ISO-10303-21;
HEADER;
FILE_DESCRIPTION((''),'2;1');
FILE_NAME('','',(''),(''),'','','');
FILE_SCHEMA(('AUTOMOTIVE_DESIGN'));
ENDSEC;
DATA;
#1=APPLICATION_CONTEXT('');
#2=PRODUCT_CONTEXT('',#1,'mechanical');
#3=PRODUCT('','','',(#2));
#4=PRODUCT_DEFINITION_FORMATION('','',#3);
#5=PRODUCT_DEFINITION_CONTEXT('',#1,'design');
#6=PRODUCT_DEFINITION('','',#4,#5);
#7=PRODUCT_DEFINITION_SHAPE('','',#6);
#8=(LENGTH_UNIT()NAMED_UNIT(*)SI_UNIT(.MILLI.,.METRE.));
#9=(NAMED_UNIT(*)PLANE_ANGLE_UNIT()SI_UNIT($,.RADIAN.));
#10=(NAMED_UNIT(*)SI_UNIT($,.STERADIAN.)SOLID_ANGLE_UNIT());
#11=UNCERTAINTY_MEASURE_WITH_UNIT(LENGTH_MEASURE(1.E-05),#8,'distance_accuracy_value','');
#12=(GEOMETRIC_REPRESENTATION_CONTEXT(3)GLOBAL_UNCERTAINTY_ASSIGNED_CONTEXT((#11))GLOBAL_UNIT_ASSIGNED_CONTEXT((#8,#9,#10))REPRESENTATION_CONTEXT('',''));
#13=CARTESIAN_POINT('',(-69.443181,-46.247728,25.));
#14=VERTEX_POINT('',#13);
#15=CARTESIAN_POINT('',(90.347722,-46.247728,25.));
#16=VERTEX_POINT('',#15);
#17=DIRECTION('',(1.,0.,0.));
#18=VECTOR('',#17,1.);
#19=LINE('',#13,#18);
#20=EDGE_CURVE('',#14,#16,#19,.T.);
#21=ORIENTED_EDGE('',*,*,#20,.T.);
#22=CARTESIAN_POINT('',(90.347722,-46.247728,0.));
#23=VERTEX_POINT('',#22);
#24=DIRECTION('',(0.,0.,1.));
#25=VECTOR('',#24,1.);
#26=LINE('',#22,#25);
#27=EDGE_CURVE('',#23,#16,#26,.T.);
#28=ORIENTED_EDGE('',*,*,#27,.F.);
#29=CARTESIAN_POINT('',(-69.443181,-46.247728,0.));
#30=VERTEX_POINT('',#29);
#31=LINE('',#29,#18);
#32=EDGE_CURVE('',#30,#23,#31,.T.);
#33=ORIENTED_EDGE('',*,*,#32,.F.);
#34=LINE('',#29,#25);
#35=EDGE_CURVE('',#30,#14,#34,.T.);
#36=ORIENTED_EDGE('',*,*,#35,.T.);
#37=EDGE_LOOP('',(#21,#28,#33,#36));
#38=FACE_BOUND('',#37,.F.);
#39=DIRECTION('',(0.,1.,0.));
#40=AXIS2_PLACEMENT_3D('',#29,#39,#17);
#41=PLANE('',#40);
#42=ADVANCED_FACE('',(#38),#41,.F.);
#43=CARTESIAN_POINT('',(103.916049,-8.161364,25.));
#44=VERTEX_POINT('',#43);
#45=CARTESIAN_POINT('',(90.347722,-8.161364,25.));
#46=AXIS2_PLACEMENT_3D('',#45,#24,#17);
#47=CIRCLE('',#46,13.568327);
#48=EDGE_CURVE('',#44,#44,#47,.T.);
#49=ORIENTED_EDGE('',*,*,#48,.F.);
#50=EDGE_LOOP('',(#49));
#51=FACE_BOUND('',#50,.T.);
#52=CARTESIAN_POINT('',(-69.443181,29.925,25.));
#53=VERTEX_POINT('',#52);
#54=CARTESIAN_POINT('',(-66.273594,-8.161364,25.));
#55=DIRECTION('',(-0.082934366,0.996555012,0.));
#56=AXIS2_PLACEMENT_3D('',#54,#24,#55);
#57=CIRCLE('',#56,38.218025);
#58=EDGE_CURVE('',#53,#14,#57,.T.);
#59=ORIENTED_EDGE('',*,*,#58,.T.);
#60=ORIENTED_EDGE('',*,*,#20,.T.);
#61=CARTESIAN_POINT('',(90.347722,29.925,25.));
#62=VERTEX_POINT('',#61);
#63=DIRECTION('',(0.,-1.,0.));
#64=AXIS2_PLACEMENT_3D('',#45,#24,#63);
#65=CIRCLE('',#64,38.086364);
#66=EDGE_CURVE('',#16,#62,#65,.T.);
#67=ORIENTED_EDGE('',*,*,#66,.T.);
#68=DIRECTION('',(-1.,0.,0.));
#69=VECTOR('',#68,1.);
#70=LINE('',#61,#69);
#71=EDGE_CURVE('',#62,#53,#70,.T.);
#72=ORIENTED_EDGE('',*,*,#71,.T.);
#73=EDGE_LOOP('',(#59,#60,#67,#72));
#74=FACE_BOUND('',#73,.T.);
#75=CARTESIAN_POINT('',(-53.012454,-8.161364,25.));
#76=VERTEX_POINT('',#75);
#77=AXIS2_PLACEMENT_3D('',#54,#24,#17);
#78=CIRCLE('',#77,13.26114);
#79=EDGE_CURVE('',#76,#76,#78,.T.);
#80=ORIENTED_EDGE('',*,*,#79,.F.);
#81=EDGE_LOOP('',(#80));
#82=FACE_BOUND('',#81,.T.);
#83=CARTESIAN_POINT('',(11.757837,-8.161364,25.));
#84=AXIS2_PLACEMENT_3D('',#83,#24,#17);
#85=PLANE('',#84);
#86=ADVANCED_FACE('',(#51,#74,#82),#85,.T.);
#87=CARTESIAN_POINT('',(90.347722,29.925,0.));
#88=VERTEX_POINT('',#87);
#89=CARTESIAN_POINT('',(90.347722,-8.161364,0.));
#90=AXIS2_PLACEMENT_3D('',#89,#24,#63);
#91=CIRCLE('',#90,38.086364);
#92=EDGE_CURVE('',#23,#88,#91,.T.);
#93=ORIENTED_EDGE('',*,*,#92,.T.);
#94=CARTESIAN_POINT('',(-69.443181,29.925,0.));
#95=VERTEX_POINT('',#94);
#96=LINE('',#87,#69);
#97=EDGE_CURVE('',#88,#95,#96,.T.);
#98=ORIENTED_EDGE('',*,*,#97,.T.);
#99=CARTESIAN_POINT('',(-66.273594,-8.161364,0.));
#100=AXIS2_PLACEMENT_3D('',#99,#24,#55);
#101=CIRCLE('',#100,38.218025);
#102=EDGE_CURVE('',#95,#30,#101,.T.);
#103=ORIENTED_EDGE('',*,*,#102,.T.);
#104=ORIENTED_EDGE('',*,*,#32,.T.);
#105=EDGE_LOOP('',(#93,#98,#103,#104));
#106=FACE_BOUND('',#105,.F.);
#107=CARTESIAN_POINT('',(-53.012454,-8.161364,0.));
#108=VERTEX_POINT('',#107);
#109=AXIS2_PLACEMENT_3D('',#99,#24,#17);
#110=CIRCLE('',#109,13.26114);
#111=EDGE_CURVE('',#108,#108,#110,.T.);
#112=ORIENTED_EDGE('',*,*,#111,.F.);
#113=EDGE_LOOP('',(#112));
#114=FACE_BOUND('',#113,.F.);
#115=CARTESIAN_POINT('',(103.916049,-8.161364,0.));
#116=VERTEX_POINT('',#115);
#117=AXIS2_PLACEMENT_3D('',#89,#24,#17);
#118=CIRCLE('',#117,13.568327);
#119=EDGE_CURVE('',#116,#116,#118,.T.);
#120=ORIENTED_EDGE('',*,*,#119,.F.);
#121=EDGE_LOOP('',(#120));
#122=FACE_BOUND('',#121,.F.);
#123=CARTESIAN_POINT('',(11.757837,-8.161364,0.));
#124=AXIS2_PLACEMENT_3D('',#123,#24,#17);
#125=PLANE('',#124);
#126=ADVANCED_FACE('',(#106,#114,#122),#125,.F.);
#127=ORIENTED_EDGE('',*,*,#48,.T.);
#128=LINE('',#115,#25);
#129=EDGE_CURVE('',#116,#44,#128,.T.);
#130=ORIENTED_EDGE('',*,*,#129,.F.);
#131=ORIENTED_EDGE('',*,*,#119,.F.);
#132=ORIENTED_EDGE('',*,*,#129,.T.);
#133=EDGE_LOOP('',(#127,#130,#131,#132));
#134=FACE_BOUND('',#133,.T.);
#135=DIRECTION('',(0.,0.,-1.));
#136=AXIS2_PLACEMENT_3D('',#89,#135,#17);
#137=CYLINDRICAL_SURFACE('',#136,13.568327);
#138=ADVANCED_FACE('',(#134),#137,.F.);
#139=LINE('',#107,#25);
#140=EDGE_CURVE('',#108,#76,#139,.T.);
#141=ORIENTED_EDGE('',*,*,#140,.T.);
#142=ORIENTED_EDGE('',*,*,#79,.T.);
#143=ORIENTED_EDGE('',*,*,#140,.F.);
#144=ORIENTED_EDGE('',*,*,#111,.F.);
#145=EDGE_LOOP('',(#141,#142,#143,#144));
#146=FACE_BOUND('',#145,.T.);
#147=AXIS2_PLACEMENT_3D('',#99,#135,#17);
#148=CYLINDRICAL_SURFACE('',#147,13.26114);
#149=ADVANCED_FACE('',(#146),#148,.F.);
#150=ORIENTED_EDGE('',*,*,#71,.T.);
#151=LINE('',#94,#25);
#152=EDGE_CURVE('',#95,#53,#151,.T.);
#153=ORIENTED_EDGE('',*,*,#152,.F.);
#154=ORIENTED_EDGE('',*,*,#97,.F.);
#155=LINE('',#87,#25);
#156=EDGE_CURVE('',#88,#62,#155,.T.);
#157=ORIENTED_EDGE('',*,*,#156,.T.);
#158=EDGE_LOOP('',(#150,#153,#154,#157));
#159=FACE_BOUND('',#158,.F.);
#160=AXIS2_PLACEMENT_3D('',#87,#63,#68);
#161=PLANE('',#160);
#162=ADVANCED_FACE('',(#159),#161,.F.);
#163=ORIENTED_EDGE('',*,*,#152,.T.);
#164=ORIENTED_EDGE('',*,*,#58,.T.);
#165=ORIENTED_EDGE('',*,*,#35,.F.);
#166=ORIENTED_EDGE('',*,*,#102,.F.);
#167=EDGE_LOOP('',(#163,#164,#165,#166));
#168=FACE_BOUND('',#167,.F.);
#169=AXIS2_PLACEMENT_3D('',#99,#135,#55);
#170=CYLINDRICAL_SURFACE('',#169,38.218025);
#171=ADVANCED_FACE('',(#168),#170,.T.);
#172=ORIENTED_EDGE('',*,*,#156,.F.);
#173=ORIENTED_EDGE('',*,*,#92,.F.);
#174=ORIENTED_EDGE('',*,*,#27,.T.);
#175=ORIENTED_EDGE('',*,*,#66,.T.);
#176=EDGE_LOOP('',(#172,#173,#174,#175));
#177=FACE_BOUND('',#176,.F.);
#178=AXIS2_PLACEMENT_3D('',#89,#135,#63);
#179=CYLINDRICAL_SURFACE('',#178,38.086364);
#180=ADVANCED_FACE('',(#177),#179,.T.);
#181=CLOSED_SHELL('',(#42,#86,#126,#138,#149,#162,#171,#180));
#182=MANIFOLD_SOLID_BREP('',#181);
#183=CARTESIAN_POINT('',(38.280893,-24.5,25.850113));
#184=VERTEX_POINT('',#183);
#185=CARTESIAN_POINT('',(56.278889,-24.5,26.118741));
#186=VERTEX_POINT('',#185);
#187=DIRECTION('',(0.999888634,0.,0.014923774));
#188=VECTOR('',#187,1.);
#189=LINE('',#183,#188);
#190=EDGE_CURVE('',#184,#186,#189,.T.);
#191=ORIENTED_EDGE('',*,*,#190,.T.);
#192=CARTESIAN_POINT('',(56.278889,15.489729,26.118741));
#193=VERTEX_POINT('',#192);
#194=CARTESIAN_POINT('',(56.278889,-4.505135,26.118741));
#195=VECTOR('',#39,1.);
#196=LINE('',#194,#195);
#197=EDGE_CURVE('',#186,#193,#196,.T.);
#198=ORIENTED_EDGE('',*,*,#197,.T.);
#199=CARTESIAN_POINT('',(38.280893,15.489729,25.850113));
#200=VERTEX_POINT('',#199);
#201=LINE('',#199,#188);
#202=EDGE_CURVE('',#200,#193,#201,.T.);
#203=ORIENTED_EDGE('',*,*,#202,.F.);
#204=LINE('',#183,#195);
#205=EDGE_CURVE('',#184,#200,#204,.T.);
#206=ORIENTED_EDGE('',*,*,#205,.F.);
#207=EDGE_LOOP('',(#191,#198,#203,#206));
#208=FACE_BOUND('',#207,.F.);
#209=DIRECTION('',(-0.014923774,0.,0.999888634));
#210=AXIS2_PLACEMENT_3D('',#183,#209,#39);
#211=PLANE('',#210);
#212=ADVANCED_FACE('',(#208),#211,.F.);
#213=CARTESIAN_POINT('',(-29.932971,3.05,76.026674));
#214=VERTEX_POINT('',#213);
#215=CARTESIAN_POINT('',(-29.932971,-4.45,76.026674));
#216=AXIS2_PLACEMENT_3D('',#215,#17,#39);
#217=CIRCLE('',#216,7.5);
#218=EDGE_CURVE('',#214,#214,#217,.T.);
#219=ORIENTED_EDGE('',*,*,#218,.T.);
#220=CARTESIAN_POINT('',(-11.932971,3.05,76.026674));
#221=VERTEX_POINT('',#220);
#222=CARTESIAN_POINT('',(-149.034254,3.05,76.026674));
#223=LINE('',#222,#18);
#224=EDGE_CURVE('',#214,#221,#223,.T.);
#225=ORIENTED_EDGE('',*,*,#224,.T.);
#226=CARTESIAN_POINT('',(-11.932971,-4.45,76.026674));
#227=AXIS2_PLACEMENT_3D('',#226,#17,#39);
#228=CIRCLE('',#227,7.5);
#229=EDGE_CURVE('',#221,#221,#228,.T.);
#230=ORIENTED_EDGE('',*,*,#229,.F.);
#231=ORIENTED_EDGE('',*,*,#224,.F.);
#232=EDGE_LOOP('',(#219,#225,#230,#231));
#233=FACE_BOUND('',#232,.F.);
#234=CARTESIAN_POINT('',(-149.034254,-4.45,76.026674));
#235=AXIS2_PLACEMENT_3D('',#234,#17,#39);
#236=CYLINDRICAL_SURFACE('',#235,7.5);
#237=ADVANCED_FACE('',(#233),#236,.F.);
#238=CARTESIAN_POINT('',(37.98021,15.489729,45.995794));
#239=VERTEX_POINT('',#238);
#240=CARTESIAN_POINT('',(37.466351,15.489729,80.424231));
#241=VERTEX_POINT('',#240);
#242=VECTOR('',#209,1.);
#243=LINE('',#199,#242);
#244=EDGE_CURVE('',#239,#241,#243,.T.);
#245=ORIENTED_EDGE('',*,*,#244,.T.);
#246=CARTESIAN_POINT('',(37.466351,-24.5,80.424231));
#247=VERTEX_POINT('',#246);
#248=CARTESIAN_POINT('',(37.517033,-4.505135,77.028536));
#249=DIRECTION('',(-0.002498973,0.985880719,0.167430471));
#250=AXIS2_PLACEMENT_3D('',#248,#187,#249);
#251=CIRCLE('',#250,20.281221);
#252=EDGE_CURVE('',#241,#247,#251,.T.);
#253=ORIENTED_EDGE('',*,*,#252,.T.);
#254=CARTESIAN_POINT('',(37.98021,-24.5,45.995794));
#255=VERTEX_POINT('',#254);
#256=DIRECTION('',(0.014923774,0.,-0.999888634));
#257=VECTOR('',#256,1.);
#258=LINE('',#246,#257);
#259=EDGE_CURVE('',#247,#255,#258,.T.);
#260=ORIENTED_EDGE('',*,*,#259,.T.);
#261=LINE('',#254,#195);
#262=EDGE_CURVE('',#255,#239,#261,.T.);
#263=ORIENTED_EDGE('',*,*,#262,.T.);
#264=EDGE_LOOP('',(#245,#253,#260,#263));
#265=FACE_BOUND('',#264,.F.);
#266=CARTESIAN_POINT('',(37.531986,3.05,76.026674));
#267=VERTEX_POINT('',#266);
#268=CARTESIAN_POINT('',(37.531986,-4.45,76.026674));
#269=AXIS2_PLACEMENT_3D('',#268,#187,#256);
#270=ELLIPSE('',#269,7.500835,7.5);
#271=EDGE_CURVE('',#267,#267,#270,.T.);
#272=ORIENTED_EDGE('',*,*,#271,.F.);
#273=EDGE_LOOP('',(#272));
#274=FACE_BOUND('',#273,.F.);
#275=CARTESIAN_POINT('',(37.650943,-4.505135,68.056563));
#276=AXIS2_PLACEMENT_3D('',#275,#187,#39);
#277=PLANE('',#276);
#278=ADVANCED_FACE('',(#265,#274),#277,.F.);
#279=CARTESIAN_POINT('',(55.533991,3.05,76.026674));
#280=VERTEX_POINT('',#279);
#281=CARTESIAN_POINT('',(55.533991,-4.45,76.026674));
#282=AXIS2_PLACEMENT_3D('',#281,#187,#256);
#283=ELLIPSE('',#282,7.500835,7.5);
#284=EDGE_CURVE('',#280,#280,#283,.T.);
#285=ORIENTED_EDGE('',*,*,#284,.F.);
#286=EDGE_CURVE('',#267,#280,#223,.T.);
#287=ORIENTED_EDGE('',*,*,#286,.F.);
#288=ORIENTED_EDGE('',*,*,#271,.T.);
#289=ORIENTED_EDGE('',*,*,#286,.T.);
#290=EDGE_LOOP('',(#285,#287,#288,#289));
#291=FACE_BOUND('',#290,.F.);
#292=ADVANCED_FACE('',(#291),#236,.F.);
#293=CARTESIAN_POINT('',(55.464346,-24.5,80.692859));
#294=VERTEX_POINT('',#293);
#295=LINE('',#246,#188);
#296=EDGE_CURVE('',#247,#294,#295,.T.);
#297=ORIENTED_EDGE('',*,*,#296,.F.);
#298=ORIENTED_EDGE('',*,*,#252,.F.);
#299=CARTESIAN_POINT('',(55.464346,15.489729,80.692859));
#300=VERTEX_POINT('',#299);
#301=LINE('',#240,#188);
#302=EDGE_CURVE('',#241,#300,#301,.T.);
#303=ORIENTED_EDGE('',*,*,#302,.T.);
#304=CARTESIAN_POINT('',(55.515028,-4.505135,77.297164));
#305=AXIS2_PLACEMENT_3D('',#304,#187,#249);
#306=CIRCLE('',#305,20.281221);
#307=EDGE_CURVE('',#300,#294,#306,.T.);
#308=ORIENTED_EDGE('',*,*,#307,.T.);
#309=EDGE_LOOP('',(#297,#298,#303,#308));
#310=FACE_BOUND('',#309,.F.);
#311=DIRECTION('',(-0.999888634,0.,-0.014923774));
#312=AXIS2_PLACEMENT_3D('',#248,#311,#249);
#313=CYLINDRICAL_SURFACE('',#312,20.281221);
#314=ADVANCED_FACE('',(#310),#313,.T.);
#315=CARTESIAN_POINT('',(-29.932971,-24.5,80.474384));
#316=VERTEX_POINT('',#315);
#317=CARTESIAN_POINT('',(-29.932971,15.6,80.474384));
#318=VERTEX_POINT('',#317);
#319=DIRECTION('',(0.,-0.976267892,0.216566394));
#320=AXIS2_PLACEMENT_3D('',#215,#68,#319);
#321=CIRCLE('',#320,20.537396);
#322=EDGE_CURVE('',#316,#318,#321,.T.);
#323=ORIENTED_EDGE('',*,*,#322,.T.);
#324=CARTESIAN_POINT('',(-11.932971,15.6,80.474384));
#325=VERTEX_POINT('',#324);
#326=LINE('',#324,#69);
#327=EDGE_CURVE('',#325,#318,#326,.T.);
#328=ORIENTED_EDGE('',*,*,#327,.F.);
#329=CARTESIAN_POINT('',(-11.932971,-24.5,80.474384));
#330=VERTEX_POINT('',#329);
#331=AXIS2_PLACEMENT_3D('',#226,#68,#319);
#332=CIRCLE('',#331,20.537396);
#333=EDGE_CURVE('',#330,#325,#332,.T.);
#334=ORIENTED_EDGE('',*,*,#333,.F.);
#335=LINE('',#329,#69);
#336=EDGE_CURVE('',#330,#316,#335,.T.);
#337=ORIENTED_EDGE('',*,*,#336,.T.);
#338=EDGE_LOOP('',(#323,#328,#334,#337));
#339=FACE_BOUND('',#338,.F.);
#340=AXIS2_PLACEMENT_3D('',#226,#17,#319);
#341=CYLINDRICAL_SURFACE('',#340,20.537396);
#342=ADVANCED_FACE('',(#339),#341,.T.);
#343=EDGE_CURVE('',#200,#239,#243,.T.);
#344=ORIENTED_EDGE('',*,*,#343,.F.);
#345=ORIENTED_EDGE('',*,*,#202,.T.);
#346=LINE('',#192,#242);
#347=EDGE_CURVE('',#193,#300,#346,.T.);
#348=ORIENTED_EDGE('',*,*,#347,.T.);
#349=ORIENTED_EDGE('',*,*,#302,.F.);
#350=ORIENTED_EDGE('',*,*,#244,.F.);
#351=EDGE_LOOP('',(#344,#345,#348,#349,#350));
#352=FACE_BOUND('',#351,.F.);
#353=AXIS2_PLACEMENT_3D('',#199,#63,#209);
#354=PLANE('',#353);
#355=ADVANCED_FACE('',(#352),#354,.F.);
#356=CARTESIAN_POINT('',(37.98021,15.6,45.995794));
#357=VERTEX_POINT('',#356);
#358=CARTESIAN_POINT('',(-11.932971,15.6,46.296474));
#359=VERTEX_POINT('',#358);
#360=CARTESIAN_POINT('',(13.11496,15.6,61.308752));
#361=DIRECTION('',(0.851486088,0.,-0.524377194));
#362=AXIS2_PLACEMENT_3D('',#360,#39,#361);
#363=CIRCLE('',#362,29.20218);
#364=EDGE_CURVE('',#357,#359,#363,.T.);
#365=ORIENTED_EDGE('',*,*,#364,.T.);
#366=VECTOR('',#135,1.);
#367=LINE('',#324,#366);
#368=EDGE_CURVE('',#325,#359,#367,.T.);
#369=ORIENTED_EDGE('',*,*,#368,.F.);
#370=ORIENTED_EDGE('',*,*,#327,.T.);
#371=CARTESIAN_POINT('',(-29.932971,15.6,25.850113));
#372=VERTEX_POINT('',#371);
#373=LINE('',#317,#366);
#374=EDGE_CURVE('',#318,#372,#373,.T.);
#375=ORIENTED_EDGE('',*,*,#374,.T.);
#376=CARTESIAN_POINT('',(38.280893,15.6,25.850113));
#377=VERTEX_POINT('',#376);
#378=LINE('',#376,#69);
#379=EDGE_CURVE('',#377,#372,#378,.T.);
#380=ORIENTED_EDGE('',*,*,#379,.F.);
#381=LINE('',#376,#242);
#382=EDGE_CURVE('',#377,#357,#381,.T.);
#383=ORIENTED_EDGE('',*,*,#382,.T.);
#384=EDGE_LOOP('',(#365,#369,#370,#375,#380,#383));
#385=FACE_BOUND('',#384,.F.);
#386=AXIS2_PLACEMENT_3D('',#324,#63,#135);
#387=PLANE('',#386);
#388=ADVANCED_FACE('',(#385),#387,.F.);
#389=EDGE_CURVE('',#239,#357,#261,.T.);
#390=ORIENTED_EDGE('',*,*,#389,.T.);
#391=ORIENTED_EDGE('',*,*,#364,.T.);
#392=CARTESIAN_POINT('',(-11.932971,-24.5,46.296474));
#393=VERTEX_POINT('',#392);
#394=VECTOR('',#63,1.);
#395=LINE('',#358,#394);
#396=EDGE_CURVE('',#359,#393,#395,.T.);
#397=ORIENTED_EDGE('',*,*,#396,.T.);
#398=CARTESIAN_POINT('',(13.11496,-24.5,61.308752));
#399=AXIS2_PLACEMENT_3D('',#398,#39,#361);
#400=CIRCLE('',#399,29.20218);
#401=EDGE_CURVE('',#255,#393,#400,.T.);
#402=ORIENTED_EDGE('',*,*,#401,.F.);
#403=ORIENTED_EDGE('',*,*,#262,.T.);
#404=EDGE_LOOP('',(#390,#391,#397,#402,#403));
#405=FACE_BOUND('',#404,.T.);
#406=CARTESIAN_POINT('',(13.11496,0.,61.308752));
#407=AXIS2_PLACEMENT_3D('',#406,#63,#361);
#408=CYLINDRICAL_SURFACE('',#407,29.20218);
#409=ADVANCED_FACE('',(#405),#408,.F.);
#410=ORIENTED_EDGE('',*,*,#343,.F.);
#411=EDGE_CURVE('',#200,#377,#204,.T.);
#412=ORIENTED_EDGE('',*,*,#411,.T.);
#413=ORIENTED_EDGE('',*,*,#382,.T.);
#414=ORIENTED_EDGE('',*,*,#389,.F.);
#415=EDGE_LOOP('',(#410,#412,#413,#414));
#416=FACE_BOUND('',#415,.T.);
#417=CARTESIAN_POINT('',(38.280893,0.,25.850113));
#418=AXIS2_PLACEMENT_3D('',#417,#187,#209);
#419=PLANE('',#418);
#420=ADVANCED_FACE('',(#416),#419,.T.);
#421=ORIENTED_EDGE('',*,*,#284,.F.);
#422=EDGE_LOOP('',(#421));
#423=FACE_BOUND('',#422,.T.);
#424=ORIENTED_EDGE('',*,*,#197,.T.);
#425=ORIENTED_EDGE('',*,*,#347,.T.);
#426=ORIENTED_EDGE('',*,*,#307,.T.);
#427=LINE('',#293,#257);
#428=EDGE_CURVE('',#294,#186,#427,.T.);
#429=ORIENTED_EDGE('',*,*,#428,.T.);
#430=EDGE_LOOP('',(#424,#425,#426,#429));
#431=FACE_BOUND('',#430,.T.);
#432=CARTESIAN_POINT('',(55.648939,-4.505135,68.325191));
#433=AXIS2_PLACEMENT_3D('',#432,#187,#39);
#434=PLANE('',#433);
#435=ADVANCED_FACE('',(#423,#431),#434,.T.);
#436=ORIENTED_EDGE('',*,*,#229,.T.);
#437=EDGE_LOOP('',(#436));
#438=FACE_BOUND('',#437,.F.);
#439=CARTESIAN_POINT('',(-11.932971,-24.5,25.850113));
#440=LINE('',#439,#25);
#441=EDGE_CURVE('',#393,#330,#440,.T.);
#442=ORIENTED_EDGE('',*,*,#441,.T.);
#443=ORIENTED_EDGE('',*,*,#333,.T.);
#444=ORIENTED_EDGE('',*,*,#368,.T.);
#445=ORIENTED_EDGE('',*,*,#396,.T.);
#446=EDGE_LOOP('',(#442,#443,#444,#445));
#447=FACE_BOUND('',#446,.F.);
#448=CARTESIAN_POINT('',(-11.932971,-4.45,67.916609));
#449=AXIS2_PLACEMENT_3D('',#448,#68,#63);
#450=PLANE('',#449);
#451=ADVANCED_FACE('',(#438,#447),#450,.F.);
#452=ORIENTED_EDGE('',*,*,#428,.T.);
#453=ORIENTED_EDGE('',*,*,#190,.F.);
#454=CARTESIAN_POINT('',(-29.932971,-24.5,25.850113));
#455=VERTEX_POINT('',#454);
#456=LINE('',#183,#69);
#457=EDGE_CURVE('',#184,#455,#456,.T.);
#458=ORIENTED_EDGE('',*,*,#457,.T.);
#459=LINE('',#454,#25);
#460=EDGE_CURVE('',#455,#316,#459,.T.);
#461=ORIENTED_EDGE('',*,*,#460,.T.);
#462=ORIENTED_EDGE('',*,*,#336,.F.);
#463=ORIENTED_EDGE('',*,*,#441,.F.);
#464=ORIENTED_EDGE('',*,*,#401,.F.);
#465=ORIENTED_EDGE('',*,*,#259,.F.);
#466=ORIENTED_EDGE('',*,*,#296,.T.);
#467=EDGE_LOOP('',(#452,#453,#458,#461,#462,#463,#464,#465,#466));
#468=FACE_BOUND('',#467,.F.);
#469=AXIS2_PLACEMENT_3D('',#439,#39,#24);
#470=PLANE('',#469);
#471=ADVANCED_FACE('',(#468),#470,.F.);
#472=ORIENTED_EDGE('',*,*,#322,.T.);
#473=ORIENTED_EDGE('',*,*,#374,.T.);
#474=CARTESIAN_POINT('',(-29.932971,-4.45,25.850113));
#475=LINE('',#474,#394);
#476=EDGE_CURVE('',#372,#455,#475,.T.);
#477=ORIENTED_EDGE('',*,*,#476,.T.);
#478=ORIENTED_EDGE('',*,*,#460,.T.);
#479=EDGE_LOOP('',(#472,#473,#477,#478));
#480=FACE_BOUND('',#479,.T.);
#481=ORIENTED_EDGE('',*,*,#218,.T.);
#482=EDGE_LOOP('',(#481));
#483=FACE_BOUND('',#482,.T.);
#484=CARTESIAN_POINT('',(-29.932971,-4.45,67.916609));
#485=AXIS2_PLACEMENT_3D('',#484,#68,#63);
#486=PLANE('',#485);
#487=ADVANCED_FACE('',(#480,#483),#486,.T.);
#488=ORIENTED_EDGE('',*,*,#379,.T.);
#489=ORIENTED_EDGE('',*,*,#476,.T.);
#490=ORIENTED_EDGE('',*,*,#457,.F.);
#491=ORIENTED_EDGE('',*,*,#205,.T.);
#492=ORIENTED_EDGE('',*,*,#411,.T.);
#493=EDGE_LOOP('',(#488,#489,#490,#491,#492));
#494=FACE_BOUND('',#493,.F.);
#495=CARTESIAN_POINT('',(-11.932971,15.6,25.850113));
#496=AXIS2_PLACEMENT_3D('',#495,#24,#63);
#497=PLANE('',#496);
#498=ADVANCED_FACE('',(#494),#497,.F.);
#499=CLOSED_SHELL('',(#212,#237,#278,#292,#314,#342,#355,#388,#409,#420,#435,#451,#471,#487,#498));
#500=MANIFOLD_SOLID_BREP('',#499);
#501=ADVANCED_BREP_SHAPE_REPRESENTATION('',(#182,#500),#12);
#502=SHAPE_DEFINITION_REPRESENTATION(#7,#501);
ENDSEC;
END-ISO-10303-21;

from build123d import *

# Parameters (mm, degrees)
F0_R     = 13.2611397316
F0_R_2   = 13.5683268473
F1_DEPTH = 25
F3_DEPTH = 24.5
F4_DEPTH = 15.6
F5_W     = 39.9897291213
F5_H     = 20.1479245436
F7_DEPTH = 18
F6_W     = 40.1
F6_H     = 20.4463601112
F8_DEPTH = 18
F10_D    = 15


with BuildPart() as f1:
    # F0 (on Top) → F1 (new body)
    with BuildSketch(Plane.XY):
        with BuildLine():
            Line((90.3477221727, 29.9249999225), (-69.4431811571, 29.9249999225))
            ThreePointArc((-69.4431811571, 29.9249999225), (-104.4916182152, -8.1613641232), (-69.4431811571, -46.247728169))
            Line((-69.4431811571, -46.247728169), (90.3477221727, -46.247728169))
            ThreePointArc((90.3477221727, -46.247728169), (128.4340862185, -8.1613641232), (90.3477221727, 29.9249999225))
        make_face()
        with Locations((-66.2735935142, -8.1613641232)):
            Circle(F0_R, mode=Mode.SUBTRACT)
        with Locations((90.3477221727, -8.1613641232)):
            Circle(F0_R_2, mode=Mode.SUBTRACT)
    extrude(amount=F1_DEPTH)


with BuildPart() as f3:
    # F2 (on Front) → F3 (new body)
    with BuildSketch(Plane.XZ):
        with BuildLine():
            ThreePointArc((37.980210036, 45.9957942367), (12.939047745, 32.1071011983), (-11.932970956, 46.2964735925))
            Line((-11.932970956, 46.2964735925), (-11.932970956, 25.8501134813))
            Line((-11.932970956, 25.8501134813), (38.2808931172, 25.8501134813))
            Line((38.2808931172, 25.8501134813), (37.980210036, 45.9957942367))
        make_face()
    extrude(amount=F3_DEPTH)

    # F4 (add): a face of the model
    f4_faces = [f3.faces().sort_by_distance(p)[0] for p in [
        (13.0824643055, 0, 31.7920845241),
    ]]
    extrude(f4_faces, amount=F4_DEPTH)

    # F5 (on face) → F7 (join)
    with BuildSketch(Plane(origin=(38.6581055331, 0, 0.5769891037), x_dir=(0, 1, 0), z_dir=(0.9998886343, 0, 0.0149237744))):
        with BuildLine():
            Line((-24.5, 79.8561349511), (-24.5, 45.4238637944))
            Line((-24.5, 45.4238637944), (15.4897291213, 45.4238637944))
            Line((15.4897291213, 45.4238637944), (15.4897291213, 79.8561349511))
            ThreePointArc((15.4897291213, 79.8561349511), (-4.5051354393, 96.741283205), (-24.5, 79.8561349511))
        make_face()
        with Locations((-4.5051354393, 35.3499015226)):
            Rectangle(F5_W, F5_H)
    extrude(amount=F7_DEPTH)

    # F6 (on face) → F8 (join)
    with BuildSketch(Plane(origin=(-11.932970956, 0, 0), x_dir=(0, -1, 0), z_dir=(-1, 0, 0))):
        with BuildLine():
            Line((-15.6, 80.474384129), (-15.6, 46.2964735925))
            Line((-15.6, 46.2964735925), (24.5, 46.2964735925))
            Line((24.5, 46.2964735925), (24.5, 80.474384129))
            ThreePointArc((24.5, 80.474384129), (4.45, 96.5640700913), (-15.6, 80.474384129))
        make_face()
        with Locations((4.45, 36.0732935369)):
            Rectangle(F6_W, F6_H)
    extrude(amount=F8_DEPTH)

    # F10 (through all)
    with Locations(Plane(origin=(-29.932970956, 0, 0), x_dir=(0, -1, 0), z_dir=(-1, 0, 0))):
        with Locations((4.45, 76.0266743983)):
            Hole(F10_D / 2)


solid = Compound([f1.part, f3.part])
